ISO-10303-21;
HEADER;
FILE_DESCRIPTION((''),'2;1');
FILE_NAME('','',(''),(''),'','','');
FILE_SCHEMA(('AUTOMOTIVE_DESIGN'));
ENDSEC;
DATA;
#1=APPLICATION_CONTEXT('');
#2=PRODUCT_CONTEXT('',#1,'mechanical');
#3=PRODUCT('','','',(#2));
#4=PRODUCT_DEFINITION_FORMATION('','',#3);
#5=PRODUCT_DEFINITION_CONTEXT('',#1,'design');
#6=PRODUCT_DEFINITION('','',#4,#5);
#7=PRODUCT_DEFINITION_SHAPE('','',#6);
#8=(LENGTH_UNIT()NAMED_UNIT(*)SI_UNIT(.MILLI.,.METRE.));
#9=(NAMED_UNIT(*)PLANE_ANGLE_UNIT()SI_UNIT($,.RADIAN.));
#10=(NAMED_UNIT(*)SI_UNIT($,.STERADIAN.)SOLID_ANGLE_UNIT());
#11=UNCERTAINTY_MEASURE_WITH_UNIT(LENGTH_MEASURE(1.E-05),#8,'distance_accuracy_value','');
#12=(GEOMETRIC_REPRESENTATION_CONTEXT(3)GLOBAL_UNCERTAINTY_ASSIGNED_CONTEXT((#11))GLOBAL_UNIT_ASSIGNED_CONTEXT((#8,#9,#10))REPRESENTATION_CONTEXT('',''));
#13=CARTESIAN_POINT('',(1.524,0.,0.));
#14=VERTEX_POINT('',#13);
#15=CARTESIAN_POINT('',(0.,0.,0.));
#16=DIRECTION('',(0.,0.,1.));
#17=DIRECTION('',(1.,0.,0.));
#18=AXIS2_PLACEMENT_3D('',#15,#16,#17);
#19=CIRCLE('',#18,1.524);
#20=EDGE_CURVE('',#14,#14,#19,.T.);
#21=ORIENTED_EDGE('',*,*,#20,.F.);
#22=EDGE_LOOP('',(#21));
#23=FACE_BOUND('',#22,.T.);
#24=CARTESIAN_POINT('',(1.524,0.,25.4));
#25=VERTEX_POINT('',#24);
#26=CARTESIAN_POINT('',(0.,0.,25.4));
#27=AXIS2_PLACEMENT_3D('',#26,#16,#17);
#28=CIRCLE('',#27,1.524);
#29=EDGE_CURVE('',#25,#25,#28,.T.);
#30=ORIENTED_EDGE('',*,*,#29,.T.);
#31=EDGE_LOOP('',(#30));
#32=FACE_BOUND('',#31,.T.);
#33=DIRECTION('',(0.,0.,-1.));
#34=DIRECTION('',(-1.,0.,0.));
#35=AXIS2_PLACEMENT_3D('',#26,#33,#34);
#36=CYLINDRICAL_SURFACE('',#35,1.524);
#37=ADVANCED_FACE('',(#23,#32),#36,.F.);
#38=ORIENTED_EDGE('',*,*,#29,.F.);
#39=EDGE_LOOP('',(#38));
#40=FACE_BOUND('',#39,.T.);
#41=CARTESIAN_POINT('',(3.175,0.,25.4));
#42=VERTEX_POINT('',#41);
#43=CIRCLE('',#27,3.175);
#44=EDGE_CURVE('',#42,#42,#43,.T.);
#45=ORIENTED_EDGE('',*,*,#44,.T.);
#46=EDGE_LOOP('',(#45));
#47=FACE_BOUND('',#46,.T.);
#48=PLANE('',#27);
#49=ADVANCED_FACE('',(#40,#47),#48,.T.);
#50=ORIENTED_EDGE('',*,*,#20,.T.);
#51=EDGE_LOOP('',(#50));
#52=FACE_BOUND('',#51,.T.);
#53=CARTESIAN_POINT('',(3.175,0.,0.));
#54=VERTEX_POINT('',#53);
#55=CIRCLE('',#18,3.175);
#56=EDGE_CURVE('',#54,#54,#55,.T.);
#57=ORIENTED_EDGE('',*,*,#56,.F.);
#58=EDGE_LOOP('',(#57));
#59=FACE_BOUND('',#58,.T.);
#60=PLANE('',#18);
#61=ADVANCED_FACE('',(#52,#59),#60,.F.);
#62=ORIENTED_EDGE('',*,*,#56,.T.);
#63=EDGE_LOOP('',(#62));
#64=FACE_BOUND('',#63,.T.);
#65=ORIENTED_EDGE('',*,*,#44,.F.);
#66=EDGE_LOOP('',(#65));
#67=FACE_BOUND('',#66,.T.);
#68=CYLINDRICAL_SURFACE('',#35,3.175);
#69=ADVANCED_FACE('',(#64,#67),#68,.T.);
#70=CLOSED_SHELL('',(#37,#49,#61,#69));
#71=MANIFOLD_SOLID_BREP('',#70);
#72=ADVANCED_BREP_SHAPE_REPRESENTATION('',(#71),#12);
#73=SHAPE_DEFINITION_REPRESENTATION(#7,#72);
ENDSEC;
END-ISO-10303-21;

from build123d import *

# Parameters (mm, degrees)
SKETCH1_R      = 3.175
SKETCH1_R_2    = 1.524
EXTRUDE1_DEPTH = 25.4


with BuildPart() as part:
    # Sketch1 → Extrude1 (new body)
    with BuildSketch(Plane.XY):
        Circle(SKETCH1_R)
        Circle(SKETCH1_R_2, mode=Mode.SUBTRACT)
    extrude(amount=EXTRUDE1_DEPTH)


solid = part.part
